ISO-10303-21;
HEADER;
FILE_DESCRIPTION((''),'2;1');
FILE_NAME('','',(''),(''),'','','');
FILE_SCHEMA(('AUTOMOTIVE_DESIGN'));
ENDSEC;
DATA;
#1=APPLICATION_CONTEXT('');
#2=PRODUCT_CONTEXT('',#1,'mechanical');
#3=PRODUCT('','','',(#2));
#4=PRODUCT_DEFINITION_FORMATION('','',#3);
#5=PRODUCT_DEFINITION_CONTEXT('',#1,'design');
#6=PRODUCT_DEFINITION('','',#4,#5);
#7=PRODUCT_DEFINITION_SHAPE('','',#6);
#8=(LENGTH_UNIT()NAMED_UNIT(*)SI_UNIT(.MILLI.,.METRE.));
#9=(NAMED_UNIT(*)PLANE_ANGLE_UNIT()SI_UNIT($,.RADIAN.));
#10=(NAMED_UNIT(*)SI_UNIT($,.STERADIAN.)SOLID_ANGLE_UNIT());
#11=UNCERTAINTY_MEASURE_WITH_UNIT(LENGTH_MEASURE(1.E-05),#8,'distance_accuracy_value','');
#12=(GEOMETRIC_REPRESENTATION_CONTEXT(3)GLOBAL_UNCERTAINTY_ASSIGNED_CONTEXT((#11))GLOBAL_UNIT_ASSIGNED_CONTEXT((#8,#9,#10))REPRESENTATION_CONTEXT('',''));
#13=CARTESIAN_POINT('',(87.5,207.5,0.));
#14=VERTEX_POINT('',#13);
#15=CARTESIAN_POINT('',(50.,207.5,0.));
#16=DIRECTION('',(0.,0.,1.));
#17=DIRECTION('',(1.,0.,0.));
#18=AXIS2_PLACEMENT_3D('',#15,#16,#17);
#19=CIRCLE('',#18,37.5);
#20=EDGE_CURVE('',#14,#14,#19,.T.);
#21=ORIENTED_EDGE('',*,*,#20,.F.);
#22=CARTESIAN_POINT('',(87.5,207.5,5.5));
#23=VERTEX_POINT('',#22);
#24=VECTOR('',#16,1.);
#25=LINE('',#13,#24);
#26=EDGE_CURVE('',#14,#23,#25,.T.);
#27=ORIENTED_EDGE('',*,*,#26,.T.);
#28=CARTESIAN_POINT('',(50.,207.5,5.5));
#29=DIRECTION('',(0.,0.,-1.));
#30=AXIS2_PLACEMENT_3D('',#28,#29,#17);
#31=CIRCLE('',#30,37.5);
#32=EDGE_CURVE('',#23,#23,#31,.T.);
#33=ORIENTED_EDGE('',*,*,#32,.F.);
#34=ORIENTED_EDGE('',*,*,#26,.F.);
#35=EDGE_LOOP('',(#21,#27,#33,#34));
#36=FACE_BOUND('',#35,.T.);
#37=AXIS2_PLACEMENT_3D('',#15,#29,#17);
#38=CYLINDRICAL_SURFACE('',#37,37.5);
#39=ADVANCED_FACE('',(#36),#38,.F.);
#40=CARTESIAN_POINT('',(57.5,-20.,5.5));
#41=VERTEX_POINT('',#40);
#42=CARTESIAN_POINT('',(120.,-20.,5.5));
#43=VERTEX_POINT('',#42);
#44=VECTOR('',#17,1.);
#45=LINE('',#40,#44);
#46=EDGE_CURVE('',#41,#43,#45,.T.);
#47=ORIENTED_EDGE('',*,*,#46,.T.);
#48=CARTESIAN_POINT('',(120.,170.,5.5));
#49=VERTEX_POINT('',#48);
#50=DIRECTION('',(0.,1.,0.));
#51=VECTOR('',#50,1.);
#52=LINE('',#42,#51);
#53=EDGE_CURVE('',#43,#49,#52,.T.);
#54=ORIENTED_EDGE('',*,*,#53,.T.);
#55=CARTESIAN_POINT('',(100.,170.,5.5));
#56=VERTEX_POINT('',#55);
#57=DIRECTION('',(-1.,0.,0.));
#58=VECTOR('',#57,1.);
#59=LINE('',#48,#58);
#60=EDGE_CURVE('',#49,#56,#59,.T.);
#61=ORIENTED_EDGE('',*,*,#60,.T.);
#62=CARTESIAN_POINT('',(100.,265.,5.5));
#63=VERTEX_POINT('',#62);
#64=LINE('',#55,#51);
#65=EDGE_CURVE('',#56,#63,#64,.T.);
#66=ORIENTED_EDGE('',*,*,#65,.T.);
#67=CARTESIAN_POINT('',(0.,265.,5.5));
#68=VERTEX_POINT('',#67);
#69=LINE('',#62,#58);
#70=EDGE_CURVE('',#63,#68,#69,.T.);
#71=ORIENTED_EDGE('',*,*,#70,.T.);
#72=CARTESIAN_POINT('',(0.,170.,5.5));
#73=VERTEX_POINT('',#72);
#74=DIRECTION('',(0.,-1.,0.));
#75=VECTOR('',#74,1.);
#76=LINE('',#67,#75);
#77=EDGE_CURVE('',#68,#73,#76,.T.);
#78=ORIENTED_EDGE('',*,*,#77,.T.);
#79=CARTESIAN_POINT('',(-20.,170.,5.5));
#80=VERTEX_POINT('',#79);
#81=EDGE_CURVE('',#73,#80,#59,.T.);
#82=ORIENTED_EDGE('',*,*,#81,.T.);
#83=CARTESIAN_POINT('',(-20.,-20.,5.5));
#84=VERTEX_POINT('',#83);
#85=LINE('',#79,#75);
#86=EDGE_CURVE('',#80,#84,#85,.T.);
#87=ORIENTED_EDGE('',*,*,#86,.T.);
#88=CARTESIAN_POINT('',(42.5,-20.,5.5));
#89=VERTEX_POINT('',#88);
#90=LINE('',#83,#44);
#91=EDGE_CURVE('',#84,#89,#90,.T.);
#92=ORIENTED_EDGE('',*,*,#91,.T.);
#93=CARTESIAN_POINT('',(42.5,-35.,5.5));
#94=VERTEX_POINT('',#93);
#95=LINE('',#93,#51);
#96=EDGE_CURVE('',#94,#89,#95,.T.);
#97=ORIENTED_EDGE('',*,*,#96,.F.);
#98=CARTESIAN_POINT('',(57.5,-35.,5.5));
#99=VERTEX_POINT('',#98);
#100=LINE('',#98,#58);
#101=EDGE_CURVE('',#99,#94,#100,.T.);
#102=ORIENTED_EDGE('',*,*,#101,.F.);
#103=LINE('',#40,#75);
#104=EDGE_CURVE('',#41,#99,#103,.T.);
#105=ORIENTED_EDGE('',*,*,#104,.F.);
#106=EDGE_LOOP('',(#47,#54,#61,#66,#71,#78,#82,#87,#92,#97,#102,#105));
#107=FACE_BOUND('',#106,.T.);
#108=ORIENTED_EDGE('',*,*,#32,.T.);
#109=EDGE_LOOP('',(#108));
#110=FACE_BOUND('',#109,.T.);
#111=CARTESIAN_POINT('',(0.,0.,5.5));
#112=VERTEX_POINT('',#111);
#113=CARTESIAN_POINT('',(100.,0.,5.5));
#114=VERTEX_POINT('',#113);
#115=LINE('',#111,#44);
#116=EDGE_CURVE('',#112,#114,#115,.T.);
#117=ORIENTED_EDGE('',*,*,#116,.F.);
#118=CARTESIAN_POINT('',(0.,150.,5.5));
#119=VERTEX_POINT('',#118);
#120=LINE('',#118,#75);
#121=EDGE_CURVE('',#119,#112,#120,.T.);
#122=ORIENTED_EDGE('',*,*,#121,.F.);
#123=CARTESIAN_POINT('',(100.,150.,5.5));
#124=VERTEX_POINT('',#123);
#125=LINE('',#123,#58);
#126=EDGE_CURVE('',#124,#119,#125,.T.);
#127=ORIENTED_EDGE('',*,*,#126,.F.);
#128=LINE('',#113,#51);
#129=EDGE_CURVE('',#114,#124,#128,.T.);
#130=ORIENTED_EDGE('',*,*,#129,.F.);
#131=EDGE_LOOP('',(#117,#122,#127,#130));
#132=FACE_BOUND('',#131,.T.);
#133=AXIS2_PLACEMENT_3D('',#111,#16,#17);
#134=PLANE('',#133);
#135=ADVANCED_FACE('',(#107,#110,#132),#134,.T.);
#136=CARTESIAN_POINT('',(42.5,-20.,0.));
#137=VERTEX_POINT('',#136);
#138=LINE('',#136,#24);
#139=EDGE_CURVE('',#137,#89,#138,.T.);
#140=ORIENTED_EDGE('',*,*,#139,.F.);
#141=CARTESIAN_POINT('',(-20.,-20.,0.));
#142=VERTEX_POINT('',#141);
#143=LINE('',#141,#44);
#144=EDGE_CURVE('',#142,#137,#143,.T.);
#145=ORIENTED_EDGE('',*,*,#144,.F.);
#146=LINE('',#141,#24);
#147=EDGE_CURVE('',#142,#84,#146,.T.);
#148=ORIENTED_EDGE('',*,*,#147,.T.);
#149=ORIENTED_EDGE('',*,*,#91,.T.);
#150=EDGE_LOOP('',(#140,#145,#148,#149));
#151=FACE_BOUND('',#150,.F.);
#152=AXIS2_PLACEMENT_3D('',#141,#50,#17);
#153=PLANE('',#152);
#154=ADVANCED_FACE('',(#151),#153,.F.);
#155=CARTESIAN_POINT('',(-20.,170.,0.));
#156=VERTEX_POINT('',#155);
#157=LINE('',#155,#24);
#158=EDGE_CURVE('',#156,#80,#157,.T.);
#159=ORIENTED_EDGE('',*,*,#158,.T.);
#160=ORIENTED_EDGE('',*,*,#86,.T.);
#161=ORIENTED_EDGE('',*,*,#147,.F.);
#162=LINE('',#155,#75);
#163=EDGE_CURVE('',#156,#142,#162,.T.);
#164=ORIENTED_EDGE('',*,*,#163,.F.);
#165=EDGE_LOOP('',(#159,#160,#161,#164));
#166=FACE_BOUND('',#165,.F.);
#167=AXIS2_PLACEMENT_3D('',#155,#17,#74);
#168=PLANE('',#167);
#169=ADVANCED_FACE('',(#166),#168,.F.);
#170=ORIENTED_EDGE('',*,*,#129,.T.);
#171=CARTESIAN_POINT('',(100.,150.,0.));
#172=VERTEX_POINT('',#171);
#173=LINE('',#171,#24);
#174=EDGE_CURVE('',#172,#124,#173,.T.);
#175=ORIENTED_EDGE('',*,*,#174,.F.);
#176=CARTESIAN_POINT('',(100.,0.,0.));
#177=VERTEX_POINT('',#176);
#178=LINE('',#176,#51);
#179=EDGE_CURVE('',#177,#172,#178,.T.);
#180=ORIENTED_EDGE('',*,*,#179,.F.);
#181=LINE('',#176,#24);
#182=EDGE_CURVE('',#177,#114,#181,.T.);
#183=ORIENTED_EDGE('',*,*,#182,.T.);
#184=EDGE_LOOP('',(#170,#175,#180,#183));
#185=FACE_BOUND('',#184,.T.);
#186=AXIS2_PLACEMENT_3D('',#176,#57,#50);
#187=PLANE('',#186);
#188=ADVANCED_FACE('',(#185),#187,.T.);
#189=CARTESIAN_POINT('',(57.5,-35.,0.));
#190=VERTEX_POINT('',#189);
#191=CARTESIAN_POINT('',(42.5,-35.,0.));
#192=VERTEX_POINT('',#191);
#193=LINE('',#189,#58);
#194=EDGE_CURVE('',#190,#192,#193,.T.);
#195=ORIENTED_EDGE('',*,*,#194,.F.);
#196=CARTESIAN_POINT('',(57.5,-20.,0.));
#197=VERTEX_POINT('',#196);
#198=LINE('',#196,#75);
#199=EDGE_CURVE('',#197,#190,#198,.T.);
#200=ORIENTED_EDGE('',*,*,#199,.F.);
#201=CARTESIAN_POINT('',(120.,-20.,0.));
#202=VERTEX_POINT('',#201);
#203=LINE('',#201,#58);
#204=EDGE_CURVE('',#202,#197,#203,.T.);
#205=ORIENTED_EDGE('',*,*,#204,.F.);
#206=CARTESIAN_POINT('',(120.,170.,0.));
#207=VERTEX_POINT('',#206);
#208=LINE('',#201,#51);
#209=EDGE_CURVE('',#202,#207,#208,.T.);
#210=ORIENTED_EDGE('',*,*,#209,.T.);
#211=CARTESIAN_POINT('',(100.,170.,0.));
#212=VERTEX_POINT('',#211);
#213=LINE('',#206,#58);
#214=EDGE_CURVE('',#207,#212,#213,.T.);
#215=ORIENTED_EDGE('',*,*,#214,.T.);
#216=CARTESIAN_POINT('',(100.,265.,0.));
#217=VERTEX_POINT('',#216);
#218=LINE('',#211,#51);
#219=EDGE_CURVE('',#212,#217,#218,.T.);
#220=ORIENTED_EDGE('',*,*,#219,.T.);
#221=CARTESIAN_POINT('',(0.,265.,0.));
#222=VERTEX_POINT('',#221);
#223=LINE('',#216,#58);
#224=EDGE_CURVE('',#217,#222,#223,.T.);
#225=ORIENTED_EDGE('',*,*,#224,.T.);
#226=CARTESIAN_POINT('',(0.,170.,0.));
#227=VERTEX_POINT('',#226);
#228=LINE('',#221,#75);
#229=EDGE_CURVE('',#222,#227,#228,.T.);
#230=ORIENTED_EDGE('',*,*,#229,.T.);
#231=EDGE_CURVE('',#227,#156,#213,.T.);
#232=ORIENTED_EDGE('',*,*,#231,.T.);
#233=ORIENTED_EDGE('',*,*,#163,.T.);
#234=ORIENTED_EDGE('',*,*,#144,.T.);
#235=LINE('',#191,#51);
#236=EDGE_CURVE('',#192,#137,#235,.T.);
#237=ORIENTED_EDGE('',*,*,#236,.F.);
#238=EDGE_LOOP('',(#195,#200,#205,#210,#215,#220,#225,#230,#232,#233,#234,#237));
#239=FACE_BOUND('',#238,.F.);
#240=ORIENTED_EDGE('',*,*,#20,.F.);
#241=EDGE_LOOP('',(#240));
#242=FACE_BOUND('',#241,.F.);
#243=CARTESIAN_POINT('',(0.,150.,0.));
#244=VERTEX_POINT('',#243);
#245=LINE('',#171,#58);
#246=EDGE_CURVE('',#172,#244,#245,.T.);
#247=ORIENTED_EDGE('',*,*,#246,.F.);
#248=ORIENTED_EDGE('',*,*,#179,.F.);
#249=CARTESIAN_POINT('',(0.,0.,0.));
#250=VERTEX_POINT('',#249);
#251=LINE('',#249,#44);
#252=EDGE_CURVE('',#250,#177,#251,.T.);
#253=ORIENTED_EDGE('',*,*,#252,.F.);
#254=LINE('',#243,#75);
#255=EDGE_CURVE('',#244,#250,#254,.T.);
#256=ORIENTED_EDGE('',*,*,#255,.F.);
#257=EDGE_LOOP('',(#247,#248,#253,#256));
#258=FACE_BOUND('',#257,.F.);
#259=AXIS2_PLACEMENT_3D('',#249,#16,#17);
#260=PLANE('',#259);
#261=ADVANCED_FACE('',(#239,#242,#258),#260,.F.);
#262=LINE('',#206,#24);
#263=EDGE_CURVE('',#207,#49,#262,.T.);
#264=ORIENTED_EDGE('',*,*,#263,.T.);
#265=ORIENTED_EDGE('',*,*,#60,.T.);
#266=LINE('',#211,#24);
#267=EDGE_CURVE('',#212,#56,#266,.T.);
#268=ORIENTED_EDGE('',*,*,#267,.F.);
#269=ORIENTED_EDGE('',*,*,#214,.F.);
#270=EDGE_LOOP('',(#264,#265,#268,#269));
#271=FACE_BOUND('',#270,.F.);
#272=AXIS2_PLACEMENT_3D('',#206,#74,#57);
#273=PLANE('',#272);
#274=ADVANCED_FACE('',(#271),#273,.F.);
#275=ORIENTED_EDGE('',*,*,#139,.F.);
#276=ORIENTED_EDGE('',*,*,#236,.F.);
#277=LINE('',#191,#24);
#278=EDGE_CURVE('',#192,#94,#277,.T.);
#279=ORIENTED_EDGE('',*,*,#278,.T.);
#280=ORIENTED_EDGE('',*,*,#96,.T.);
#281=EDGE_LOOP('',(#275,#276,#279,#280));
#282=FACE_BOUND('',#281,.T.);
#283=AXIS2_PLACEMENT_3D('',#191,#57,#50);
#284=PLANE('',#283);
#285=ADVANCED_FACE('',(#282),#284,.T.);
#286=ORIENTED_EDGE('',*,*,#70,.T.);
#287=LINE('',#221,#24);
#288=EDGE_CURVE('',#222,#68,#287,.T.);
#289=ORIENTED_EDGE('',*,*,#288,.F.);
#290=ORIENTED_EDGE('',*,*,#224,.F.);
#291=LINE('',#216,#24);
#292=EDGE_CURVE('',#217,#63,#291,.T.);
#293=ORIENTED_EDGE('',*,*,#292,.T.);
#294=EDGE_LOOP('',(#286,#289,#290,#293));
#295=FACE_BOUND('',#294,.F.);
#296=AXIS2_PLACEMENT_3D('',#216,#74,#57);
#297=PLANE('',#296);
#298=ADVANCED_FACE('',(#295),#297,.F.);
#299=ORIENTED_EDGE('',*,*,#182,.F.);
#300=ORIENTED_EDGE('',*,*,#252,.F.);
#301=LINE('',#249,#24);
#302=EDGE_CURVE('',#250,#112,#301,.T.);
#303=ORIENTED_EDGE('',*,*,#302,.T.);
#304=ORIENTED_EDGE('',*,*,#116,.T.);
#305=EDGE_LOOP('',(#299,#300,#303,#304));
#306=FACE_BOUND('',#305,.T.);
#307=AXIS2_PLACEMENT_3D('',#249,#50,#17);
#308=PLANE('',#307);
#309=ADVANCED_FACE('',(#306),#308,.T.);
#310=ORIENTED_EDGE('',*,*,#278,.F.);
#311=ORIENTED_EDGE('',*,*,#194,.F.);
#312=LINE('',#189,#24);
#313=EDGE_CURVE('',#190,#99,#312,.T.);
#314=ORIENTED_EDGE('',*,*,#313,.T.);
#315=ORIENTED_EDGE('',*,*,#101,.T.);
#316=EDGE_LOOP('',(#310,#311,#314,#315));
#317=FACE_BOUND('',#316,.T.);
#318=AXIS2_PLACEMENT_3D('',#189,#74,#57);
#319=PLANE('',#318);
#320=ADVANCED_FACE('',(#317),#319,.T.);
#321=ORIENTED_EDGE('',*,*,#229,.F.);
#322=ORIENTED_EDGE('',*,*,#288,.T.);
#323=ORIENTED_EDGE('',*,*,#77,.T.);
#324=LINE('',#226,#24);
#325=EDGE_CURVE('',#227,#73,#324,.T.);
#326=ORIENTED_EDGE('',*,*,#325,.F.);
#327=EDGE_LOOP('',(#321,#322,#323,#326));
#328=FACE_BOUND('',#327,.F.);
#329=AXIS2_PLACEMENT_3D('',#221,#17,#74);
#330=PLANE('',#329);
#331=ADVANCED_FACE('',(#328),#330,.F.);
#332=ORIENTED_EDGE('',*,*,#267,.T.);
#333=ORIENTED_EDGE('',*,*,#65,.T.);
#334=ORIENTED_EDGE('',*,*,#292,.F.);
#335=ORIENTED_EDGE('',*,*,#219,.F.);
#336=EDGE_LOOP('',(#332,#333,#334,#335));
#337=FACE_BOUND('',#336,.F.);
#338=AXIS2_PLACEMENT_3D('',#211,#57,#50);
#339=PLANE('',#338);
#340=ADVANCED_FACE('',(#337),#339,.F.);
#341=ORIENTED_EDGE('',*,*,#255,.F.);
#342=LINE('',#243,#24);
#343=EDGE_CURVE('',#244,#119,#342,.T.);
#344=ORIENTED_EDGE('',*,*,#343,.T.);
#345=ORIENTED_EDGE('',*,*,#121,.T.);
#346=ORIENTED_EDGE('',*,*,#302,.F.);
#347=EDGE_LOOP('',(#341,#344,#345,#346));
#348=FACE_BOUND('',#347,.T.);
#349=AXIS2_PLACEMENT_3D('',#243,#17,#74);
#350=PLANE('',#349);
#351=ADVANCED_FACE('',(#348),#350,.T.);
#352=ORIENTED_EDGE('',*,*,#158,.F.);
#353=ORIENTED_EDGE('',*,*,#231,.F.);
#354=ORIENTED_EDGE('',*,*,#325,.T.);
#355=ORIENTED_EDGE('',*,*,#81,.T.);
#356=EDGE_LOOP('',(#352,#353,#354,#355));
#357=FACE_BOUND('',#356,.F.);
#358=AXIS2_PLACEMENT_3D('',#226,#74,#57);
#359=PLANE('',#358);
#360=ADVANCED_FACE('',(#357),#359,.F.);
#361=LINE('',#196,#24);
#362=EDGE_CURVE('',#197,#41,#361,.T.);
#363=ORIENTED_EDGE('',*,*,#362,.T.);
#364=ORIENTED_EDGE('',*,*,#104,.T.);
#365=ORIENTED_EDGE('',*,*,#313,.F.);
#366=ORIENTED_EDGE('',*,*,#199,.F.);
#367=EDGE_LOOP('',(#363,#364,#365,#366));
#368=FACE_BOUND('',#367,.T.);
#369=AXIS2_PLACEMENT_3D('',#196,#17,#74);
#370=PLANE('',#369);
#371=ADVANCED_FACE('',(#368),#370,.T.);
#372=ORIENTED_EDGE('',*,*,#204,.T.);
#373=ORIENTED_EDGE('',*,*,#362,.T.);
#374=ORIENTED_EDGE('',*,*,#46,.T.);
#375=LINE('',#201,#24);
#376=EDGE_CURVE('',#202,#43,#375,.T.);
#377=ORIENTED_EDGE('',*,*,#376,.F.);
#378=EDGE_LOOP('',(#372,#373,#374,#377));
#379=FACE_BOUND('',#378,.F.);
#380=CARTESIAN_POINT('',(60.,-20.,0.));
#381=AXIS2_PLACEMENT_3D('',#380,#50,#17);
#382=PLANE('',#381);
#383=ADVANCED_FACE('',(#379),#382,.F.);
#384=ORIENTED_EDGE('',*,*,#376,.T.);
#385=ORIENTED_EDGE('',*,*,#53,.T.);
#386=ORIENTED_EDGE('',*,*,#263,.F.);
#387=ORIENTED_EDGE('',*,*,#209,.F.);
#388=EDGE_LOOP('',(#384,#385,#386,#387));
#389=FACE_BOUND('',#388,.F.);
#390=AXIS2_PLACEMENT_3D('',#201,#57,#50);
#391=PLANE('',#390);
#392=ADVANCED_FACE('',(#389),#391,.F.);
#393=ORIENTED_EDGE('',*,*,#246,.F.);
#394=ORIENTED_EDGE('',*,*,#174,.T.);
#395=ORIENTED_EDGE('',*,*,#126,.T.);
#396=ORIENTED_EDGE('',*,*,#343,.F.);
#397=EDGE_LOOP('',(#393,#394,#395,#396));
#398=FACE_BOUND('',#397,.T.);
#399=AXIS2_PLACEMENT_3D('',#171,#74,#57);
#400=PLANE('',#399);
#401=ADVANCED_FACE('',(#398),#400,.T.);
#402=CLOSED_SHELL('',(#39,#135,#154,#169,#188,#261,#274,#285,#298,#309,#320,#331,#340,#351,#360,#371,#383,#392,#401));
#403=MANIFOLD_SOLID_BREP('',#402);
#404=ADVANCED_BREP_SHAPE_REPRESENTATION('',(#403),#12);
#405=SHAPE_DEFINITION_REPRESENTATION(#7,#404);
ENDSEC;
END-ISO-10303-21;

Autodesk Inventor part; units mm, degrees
ref_plane "YZ Plane" through (0, 0, 0) normal (1, 0, 0) x (0, 1, 0)
ref_plane "XZ Plane" through (0, 0, 0) normal (0, 1, 0) x (-1, 0, 0)
ref_plane "XY Plane" through (0, 0, 0) normal (0, 0, 1) x (1, 0, 0)
sketch "Sketch1" plane through (0, 0, 0) normal (0, 0, 1) x (1, 0, 0)
  line L0 (0, 0) -> (100, 0)
  line L1 (100, 0) -> (100, 150)
  line L2 (100, 150) -> (0, 150)
  line L3 (0, 150) -> (0, 0)
  circle A0 centre (50, 207.5) radius 37.5
  line L4 (-20, -20) -> (120, -20)
  line L5 (120, -20) -> (120, 170)
  line L6 (120, 170) -> (-20, 170)
  line L7 (-20, 170) -> (-20, -20)
  line L8 (0, 170) -> (100, 170)
  line L9 (100, 170) -> (100, 265)
  line L10 (100, 265) -> (0, 265)
  line L11 (0, 265) -> (0, 170)
  line L12 (49.5, -20) -> (59.5, -20)
  line L13 (45, -20) -> (60, -20)
  line L14 (42.5, -20) -> (57.5, -20)
  line L15 (57.5, -20) -> (57.5, -35)
  line L16 (57.5, -35) -> (42.5, -35)
  line L17 (42.5, -35) -> (42.5, -20)
  dimension "d4" = 75
  dimension "d5" = 140
  dimension "d6" = 95
  dimension "d13" = 15
  dimension "d14" = 15
extrude "Extrusion1" add sketch "Sketch1" along normal blind 5.5
properties part number "anillo"
